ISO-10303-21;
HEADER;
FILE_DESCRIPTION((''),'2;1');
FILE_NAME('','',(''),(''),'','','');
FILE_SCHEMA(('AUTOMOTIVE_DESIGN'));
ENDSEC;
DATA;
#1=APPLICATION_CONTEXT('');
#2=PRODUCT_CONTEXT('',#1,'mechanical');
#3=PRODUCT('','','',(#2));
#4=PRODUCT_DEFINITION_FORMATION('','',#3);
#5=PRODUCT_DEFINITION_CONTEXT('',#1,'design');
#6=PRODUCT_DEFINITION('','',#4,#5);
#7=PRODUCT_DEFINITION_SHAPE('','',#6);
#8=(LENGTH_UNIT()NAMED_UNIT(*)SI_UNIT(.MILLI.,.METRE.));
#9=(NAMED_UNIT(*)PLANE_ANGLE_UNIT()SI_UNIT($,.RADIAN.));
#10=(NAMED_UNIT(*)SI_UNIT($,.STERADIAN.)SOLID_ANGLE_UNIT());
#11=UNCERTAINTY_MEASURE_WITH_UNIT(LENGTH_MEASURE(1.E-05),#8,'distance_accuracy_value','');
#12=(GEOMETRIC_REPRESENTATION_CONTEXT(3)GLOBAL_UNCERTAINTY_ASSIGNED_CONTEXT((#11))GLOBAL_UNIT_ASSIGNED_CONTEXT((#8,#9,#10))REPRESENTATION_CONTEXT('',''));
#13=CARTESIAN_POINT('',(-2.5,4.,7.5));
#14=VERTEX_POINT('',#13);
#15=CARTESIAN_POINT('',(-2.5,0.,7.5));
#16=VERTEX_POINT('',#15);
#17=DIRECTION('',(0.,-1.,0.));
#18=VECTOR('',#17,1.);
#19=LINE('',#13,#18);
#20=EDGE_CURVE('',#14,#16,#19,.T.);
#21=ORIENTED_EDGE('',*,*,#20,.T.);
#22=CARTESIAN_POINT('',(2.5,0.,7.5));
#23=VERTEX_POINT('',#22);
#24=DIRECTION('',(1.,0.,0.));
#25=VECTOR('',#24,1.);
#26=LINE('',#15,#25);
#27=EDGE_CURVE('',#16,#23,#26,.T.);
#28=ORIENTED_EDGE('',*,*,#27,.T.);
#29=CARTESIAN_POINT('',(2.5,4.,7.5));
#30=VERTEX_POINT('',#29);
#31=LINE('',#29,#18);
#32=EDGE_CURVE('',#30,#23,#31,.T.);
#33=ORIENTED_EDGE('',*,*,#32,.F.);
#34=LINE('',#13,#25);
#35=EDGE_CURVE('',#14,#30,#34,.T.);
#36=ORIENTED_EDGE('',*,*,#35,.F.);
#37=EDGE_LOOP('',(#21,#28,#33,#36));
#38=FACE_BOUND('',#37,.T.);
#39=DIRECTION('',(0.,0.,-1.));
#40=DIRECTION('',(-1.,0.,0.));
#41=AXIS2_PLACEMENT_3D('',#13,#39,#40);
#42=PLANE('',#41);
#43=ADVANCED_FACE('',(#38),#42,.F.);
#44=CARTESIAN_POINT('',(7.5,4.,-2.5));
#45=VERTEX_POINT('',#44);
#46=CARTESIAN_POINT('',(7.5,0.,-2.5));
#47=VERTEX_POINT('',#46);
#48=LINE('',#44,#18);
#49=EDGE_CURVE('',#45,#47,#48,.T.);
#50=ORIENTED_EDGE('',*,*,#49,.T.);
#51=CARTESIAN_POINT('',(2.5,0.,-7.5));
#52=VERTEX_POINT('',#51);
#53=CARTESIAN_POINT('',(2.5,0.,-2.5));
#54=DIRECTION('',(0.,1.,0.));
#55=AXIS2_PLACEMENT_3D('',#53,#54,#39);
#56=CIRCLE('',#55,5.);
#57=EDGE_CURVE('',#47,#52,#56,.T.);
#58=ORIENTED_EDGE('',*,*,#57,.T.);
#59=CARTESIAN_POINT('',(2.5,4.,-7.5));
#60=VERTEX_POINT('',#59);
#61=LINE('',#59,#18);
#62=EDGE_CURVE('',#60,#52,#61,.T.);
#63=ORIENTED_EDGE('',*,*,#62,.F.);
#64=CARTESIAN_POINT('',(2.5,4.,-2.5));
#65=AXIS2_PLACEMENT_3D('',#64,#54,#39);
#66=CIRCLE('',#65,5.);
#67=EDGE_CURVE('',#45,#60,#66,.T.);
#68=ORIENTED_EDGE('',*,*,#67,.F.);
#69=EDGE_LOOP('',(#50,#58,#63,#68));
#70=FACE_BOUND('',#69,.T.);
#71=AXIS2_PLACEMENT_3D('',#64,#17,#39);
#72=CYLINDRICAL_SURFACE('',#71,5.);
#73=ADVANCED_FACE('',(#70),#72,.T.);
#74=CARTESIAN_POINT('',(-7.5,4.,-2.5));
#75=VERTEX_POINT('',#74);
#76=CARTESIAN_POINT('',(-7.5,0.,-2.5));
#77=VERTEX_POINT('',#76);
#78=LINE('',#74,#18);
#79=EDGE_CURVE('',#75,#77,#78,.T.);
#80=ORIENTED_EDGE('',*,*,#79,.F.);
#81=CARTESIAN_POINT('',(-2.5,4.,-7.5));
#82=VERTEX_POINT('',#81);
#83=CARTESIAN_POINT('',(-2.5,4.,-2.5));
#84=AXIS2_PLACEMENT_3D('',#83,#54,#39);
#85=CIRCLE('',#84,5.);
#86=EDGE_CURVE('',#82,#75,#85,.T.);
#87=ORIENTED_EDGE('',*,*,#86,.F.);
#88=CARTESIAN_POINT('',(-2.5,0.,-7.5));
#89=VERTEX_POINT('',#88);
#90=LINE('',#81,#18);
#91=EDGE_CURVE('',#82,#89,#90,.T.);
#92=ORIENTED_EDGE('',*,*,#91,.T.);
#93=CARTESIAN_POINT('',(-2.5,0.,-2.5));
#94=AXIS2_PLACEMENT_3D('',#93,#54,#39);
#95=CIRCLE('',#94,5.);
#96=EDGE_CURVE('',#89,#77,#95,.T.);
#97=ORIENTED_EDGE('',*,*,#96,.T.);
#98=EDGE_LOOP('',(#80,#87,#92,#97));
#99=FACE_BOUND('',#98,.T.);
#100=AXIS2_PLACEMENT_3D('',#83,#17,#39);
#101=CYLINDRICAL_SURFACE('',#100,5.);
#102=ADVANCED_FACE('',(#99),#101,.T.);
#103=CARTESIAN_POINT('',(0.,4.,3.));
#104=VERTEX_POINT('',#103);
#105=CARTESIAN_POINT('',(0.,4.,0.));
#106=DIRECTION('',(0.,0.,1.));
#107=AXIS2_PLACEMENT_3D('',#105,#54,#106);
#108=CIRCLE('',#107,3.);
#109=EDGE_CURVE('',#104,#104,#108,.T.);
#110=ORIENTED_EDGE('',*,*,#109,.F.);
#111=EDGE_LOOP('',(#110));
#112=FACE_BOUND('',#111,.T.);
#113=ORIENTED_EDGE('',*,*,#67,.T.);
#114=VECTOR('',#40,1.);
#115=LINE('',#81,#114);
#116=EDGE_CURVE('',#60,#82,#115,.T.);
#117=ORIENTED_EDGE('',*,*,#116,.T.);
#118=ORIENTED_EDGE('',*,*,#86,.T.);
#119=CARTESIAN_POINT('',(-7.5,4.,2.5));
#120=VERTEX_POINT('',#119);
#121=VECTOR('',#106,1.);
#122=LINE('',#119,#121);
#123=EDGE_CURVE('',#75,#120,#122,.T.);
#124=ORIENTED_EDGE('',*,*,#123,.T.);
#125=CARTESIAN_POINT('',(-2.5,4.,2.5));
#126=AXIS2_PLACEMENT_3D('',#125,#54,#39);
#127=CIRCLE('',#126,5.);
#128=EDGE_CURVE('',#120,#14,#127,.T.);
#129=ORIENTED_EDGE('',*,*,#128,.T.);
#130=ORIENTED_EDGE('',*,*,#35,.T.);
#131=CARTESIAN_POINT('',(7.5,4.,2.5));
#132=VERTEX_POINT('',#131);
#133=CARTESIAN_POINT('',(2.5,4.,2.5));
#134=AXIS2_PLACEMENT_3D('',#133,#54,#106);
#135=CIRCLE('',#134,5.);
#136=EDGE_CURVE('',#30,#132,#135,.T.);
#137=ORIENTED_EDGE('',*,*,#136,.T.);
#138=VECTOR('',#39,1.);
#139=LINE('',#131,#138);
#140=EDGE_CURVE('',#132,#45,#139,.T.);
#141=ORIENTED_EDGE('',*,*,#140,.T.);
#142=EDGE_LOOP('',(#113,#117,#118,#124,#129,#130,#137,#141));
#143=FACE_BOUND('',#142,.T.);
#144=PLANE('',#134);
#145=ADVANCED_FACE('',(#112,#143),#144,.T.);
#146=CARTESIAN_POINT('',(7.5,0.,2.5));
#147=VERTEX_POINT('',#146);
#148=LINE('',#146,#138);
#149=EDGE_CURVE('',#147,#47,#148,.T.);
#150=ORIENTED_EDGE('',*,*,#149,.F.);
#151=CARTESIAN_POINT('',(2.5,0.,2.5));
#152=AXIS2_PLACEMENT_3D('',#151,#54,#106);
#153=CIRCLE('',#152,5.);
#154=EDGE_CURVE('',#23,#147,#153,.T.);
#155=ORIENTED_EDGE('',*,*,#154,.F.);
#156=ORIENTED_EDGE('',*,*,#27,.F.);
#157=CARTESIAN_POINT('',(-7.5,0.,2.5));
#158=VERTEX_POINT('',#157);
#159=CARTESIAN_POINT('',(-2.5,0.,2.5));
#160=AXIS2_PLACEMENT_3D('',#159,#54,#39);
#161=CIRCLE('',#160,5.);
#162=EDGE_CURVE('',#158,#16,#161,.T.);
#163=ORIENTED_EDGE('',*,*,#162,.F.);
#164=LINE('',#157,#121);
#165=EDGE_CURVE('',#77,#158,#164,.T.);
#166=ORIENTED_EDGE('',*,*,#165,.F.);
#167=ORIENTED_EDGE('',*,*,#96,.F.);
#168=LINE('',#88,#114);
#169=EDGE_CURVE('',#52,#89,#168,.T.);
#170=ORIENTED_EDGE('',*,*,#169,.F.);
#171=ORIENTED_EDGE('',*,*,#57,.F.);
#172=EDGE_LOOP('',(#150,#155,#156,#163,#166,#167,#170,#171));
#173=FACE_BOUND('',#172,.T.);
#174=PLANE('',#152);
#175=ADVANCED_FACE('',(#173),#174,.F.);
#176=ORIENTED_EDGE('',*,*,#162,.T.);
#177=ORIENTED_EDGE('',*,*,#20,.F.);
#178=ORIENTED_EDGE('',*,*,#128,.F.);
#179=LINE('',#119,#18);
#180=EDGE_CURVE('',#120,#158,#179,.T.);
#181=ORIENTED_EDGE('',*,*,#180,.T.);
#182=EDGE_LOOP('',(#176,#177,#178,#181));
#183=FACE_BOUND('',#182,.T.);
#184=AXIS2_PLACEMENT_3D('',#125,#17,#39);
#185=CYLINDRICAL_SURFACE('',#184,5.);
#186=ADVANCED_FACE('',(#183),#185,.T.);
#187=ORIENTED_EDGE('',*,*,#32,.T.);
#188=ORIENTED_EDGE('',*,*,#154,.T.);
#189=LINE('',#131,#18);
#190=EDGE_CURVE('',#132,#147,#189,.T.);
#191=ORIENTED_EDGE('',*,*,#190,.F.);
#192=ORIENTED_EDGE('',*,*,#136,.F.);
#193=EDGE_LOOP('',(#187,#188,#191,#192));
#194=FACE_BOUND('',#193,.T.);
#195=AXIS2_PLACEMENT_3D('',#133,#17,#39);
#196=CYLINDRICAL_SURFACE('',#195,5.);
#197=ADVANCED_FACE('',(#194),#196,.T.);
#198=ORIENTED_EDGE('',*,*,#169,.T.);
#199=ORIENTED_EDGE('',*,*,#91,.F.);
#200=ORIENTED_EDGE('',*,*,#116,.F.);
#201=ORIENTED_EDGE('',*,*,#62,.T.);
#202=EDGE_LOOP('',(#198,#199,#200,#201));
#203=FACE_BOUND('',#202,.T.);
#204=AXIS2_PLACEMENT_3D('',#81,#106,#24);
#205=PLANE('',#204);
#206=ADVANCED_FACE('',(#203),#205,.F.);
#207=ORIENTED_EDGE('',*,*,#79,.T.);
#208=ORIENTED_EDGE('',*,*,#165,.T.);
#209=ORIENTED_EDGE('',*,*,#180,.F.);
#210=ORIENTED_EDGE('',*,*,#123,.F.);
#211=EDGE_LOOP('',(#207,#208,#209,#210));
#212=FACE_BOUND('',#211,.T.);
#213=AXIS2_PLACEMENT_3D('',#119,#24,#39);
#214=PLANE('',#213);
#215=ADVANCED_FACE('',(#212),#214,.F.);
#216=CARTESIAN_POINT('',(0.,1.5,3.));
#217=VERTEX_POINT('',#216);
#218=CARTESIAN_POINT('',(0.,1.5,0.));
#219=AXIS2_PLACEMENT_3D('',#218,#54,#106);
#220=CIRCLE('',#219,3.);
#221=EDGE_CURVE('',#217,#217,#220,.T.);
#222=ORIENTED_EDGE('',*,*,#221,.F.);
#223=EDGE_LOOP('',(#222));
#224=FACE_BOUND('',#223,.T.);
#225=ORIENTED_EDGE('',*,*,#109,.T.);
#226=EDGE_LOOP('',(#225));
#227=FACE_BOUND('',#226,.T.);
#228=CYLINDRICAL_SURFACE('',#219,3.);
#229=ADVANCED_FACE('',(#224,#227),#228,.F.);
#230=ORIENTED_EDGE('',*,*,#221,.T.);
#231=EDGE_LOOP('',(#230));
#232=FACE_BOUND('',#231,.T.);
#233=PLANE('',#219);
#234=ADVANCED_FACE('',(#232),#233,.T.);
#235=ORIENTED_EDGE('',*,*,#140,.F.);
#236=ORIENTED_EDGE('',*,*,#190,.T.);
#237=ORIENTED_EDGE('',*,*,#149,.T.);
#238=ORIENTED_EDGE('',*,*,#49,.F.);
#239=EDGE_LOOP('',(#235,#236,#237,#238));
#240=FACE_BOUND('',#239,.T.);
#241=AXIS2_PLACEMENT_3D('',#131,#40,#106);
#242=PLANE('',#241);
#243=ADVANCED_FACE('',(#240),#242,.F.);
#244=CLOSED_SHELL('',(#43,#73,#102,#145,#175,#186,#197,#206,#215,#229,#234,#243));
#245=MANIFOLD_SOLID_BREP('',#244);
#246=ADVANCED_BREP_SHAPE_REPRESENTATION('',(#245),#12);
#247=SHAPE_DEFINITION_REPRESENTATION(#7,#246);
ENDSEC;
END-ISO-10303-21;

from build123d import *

# Parameters (mm, degrees)
BOSS_EXTRUDE1_DEPTH = 4
SKETCH2_R           = 3
CUT_EXTRUDE1_DEPTH  = 2.5


with BuildPart() as part:
    # Sketch1 → Boss-Extrude1 (new body)
    with BuildSketch(Plane(origin=(0, 0, 0), x_dir=(1, 0, 0), z_dir=(0, 1, 0))):
        with BuildLine():
            Line((-2.5, -7.5), (2.5, -7.5))
            ThreePointArc((2.5, -7.5), (6.035533906, -6.035533906), (7.5, -2.5))
            Line((7.5, -2.5), (7.5, 2.5))
            ThreePointArc((7.5, 2.5), (6.035533906, 6.035533906), (2.5, 7.5))
            Line((2.5, 7.5), (-2.5, 7.5))
            ThreePointArc((-2.5, 7.5), (-6.035533906, 6.035533906), (-7.5, 2.5))
            Line((-7.5, 2.5), (-7.5, -2.5))
            ThreePointArc((-7.5, -2.5), (-6.035533906, -6.035533906), (-2.5, -7.5))
        make_face()
    extrude(amount=BOSS_EXTRUDE1_DEPTH)

    # Sketch2 → Cut-Extrude1 (cut)
    with BuildSketch(Plane(origin=(0, 4, 0), x_dir=(1, 0, 0), z_dir=(0, 1, 0))):
        Circle(SKETCH2_R)
    extrude(amount=-CUT_EXTRUDE1_DEPTH, mode=Mode.SUBTRACT)


solid = part.part
